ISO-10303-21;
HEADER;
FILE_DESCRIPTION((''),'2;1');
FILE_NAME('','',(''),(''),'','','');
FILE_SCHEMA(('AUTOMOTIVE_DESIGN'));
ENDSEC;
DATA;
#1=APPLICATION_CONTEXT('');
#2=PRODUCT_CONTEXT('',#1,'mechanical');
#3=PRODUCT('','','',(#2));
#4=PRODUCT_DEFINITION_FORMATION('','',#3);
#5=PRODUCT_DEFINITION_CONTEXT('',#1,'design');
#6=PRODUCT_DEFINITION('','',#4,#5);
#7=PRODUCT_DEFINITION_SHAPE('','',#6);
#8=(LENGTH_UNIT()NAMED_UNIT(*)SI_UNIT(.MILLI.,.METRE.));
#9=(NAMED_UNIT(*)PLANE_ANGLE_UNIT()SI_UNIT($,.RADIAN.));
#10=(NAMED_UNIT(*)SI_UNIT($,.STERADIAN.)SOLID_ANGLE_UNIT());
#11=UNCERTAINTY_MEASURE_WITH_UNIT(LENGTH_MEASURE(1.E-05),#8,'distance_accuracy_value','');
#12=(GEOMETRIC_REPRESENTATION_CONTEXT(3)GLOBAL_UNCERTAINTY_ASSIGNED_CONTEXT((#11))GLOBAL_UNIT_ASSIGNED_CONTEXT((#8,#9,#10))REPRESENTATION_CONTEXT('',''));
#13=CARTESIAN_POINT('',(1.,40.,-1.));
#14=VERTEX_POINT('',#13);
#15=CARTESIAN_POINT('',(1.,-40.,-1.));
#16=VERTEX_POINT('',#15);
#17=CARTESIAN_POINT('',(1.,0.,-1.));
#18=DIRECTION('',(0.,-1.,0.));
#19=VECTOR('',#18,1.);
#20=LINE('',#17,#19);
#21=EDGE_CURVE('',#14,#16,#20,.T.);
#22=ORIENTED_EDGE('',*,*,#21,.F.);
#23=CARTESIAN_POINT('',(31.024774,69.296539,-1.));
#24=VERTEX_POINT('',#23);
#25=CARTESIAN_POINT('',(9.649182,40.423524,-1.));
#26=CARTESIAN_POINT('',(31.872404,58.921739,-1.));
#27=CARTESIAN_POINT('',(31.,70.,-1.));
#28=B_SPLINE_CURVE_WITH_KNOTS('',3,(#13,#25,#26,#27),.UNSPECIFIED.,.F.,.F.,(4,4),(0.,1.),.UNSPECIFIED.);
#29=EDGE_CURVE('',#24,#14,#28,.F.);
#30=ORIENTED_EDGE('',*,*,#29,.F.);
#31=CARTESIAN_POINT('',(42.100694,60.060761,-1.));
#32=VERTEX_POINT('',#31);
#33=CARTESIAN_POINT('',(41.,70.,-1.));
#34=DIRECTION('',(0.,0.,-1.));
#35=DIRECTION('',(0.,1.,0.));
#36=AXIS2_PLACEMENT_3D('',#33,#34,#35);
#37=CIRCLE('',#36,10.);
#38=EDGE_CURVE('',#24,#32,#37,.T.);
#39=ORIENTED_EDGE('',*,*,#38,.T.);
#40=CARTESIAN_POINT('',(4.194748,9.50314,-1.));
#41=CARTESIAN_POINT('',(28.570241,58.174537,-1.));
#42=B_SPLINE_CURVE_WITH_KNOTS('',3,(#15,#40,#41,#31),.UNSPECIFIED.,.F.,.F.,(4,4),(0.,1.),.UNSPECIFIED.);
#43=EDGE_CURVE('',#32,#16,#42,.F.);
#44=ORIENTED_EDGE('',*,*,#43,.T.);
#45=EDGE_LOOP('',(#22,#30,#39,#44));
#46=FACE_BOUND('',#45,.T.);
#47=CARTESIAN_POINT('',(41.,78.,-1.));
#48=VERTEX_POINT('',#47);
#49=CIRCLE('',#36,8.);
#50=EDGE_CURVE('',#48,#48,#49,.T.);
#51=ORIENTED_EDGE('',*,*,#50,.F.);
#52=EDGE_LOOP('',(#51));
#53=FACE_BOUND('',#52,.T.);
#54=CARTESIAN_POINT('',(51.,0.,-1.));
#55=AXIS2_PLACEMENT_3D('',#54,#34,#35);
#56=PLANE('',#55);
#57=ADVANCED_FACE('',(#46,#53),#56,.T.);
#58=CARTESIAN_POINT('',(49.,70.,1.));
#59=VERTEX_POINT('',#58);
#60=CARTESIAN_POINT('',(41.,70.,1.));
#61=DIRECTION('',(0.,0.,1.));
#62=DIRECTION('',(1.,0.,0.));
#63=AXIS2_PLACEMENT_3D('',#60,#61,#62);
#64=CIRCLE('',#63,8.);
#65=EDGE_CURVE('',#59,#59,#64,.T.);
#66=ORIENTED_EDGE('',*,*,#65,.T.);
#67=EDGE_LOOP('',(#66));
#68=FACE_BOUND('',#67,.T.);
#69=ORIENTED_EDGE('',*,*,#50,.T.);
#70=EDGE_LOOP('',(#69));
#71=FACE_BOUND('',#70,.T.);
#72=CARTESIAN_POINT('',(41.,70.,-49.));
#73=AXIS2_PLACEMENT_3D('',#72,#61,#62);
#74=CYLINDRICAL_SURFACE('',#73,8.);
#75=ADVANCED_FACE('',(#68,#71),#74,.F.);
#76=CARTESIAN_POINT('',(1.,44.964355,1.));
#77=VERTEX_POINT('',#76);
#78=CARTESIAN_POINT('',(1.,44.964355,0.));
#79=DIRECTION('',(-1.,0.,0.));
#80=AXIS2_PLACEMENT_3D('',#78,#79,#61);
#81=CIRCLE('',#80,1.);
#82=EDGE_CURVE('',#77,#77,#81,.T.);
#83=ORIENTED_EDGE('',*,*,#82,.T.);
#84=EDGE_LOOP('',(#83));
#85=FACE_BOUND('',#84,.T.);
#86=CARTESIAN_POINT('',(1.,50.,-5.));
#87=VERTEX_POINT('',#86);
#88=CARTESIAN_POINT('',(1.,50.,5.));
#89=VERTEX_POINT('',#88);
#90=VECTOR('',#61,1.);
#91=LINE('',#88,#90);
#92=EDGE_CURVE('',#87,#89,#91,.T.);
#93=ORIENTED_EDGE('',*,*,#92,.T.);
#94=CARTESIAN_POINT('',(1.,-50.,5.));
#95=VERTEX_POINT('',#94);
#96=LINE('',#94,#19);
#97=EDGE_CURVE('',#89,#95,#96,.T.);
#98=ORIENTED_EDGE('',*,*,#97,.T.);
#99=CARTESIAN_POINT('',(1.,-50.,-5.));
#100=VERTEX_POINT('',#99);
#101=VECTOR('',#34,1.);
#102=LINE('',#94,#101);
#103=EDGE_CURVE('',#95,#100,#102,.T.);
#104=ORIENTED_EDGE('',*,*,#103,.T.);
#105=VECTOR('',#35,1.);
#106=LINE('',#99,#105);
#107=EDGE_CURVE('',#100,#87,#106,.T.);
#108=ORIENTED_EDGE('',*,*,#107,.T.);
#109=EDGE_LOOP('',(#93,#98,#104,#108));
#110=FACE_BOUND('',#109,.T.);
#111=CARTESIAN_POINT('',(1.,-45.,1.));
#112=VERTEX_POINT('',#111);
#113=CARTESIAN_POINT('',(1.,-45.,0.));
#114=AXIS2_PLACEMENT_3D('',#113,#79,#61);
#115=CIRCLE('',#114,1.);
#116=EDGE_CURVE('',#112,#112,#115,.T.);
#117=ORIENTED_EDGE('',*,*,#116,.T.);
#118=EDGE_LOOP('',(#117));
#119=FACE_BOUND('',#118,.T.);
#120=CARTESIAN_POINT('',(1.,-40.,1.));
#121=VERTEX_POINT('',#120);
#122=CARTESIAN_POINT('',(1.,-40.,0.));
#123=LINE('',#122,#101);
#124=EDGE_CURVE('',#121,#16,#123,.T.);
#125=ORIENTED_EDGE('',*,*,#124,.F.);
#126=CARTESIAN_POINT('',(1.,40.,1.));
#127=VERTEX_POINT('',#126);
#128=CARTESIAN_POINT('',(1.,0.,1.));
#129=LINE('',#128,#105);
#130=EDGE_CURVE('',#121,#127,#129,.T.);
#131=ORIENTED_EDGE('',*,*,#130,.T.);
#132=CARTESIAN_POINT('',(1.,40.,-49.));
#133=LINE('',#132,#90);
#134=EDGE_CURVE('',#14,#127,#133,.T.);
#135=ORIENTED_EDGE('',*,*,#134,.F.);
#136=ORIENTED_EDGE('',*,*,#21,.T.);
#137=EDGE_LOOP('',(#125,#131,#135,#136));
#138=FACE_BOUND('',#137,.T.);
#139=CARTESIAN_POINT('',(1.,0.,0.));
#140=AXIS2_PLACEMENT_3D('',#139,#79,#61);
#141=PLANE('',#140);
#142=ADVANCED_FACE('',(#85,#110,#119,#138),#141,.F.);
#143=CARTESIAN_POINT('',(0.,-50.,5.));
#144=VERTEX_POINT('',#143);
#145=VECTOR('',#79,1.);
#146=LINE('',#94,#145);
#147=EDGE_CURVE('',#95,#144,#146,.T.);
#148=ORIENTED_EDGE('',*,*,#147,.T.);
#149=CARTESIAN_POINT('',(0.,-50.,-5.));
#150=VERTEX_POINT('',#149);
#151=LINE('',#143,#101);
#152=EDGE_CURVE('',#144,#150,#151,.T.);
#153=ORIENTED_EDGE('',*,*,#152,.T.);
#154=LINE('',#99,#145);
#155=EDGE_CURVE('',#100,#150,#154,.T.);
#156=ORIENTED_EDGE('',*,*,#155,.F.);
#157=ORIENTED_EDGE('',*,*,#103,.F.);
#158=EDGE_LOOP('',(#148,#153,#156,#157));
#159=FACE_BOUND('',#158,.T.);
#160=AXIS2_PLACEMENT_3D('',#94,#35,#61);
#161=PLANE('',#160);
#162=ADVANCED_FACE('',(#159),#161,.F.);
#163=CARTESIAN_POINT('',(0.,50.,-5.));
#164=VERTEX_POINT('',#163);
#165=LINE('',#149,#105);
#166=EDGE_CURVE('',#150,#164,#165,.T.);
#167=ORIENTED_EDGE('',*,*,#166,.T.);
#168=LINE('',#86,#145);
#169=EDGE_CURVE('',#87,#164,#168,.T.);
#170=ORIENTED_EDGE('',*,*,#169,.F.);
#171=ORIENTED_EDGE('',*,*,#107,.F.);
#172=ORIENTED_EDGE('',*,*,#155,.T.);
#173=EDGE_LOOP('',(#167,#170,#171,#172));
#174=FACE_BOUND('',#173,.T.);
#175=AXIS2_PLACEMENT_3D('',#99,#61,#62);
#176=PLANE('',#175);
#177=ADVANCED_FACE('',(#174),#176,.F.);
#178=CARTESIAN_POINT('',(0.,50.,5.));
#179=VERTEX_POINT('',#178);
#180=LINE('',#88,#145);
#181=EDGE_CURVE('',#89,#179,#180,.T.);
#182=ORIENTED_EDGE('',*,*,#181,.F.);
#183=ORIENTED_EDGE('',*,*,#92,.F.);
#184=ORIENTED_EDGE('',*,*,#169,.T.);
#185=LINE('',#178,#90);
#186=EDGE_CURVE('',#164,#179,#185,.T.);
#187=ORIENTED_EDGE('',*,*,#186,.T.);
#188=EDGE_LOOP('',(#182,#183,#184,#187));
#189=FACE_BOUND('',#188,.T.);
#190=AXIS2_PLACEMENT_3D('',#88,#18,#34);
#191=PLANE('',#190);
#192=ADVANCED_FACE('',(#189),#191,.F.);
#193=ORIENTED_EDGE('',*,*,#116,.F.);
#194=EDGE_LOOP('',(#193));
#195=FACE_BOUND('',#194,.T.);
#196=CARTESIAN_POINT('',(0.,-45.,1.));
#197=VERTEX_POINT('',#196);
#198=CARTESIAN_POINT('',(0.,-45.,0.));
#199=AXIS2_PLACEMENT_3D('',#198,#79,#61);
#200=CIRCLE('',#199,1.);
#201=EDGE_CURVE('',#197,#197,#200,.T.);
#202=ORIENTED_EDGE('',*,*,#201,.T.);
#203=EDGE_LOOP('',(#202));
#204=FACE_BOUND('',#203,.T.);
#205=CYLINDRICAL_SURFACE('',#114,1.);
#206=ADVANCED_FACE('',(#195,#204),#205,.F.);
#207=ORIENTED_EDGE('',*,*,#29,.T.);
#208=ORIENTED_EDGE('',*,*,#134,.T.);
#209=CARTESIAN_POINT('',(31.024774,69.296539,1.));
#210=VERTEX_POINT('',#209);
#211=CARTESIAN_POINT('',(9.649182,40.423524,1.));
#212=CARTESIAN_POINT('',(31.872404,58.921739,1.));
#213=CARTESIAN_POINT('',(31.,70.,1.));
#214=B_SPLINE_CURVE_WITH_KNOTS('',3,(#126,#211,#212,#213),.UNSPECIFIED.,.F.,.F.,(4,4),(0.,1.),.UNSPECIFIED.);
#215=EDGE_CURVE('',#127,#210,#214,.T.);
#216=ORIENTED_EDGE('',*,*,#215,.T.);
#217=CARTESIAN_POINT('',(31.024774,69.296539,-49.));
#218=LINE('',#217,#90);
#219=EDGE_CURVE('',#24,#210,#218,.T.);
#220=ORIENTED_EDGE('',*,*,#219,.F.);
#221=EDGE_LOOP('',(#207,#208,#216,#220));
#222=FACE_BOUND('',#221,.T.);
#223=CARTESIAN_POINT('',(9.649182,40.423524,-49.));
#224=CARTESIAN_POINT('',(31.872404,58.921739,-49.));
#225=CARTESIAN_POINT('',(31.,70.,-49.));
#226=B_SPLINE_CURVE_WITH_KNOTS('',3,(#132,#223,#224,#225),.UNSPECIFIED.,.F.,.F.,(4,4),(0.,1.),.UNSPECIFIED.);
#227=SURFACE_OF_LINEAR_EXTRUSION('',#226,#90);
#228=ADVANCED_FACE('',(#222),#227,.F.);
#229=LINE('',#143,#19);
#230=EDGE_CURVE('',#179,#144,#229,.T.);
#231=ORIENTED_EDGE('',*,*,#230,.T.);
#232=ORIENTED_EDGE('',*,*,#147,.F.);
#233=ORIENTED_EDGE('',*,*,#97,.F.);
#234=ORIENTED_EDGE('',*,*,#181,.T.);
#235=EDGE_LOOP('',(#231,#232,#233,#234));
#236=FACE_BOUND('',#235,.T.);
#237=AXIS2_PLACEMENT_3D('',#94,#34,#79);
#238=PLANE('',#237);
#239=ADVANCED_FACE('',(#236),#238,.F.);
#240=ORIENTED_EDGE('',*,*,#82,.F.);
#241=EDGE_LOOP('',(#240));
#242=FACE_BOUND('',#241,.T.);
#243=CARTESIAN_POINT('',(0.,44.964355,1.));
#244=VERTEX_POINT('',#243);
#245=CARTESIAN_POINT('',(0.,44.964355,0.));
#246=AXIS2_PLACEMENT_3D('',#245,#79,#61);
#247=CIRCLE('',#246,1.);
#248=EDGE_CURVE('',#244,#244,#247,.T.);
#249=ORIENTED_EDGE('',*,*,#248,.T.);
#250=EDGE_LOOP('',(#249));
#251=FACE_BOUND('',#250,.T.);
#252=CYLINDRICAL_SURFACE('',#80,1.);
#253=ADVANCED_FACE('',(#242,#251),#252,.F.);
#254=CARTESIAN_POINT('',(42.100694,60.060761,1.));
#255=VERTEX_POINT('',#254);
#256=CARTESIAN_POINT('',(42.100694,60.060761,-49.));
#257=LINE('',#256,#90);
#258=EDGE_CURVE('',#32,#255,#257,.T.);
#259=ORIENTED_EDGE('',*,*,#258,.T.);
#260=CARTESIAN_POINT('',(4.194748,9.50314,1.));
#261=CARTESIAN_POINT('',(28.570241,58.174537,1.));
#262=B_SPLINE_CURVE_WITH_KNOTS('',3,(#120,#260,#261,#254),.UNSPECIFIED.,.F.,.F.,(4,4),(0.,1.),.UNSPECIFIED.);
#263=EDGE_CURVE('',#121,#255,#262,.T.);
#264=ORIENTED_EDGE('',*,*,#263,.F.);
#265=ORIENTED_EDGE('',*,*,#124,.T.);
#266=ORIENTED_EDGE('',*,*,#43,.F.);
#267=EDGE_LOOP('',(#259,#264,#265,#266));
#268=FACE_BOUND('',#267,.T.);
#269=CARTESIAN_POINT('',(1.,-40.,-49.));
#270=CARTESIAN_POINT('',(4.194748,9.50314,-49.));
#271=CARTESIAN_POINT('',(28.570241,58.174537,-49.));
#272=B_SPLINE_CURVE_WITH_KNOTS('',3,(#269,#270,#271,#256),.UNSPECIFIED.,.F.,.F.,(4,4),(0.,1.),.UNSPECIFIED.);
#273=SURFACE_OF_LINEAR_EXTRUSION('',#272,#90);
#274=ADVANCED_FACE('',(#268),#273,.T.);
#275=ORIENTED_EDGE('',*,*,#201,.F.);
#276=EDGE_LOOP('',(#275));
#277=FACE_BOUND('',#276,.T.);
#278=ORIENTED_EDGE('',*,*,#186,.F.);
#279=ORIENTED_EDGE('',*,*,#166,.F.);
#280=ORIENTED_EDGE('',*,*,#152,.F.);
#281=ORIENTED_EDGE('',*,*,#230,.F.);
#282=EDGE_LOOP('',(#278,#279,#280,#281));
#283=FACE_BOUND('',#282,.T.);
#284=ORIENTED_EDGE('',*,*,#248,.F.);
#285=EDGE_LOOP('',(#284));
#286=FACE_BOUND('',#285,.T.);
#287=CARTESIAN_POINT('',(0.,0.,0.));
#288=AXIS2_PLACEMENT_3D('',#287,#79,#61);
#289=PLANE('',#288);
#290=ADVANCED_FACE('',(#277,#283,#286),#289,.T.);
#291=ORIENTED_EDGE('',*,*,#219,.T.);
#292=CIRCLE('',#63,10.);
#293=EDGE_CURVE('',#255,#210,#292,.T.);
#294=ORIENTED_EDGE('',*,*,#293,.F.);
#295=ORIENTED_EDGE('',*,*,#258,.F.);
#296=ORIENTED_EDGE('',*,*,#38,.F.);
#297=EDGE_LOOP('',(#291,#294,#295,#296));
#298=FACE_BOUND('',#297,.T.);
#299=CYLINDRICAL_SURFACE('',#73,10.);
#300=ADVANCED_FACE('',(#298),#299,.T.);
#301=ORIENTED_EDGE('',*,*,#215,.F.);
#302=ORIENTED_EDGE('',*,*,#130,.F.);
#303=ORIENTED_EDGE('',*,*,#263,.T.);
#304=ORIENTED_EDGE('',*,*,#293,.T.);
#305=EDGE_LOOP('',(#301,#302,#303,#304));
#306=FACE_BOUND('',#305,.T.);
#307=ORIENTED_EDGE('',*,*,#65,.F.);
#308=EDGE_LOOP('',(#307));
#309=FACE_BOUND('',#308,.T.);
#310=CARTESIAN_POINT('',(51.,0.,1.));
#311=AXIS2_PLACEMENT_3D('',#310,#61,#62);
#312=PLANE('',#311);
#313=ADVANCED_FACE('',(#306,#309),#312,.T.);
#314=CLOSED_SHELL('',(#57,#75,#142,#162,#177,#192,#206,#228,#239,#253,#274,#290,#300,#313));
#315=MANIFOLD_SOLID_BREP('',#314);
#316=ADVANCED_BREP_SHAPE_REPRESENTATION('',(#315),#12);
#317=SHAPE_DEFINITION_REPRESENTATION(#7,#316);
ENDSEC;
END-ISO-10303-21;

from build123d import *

# Parameters (mm, degrees)
SKETCH_1_W           = 10
SKETCH_1_H           = 100
EXTRUDE_1_DEPTH      = 1
SKETCH_2_W           = 2
SKETCH_2_H           = 30
SKETCH_2_H_2         = 10
SKETCH_2_H_3         = 80
EXTRUDE_3_DEPTH      = 50
SKETCH_3_R           = 8
CUT_EXTRUDE_11_DEPTH = 50
SKETCH_4_R           = 1
CUT_EXTRUDE_12_DEPTH = 1
SKETCH_5_R           = 1
CUT_EXTRUDE_13_DEPTH = 1


with BuildPart() as part:
    # 草图1 → 凸台-拉伸1 (new body)
    with BuildSketch(Plane(origin=(0, 0, 0), x_dir=(0, 0, -1), z_dir=(1, 0, 0))):
        Rectangle(SKETCH_1_W, SKETCH_1_H)
    extrude(amount=EXTRUDE_1_DEPTH)

    # 草图2 → 凸台-拉伸3 (add)
    with BuildSketch(Plane(origin=(1, 0, 0), x_dir=(0, 0, -1), z_dir=(1, 0, 0))):
        with Locations((0, 65)):
            Rectangle(SKETCH_2_W, SKETCH_2_H)
        with Locations((0, 45)):
            Rectangle(SKETCH_2_W, SKETCH_2_H_2)
        Rectangle(SKETCH_2_W, SKETCH_2_H_3)
    extrude(amount=EXTRUDE_3_DEPTH)

    # 草图3 → 切除-拉伸11 (cut)
    with BuildSketch(Plane.XY.offset(1)):
        with BuildLine():
            Line((1, 80), (1, 40))
            add(Edge.make_bspline(
                [(1, 40), (9.468575597, 40.414680021), (30.950220462, 58.157084532), (31.024773588, 69.296538532)],
                knots=[0, 0, 0, 0, 0.979118635, 0.979118635, 0.979118635, 0.979118635], degree=3))
            ThreePointArc((31.024773588, 69.296538532), (33.684447571, 76.817821695), (41, 80))
            Line((41, 80), (1, 80))
        make_face()
        with Locations((41, 70)):
            Circle(SKETCH_3_R)
        with BuildLine():
            add(Edge.make_bspline(
                [(1, -40), (4.194748365, 9.503139803), (28.570241109, 58.174536765), (42.100694242, 60.060760986)],
                knots=[0, 0, 0, 0, 1, 1, 1, 1], degree=3))
            Line((1, -40), (51, -40))
            Line((51, -40), (51, 70))
            ThreePointArc((51, 70), (48.450065182, 63.329428151), (42.100694242, 60.060760986))
        make_face()
        with BuildLine():
            Line((51, 80), (41, 80))
            ThreePointArc((41, 80), (48.071067812, 77.071067812), (51, 70))
            Line((51, 70), (51, 80))
        make_face()
    extrude(amount=-CUT_EXTRUDE_11_DEPTH, mode=Mode.SUBTRACT)

    # 草图4 → 切除-拉伸12 (cut)
    with BuildSketch(Plane.ZY):
        with Locations((0, 44.964354978)):
            Circle(SKETCH_4_R)
    extrude(amount=-CUT_EXTRUDE_12_DEPTH, mode=Mode.SUBTRACT)

    # 草图5 → 切除-拉伸13 (cut)
    with BuildSketch(Plane.ZY):
        with Locations((0, -45)):
            Circle(SKETCH_5_R)
    extrude(amount=-CUT_EXTRUDE_13_DEPTH, mode=Mode.SUBTRACT)


solid = part.part
